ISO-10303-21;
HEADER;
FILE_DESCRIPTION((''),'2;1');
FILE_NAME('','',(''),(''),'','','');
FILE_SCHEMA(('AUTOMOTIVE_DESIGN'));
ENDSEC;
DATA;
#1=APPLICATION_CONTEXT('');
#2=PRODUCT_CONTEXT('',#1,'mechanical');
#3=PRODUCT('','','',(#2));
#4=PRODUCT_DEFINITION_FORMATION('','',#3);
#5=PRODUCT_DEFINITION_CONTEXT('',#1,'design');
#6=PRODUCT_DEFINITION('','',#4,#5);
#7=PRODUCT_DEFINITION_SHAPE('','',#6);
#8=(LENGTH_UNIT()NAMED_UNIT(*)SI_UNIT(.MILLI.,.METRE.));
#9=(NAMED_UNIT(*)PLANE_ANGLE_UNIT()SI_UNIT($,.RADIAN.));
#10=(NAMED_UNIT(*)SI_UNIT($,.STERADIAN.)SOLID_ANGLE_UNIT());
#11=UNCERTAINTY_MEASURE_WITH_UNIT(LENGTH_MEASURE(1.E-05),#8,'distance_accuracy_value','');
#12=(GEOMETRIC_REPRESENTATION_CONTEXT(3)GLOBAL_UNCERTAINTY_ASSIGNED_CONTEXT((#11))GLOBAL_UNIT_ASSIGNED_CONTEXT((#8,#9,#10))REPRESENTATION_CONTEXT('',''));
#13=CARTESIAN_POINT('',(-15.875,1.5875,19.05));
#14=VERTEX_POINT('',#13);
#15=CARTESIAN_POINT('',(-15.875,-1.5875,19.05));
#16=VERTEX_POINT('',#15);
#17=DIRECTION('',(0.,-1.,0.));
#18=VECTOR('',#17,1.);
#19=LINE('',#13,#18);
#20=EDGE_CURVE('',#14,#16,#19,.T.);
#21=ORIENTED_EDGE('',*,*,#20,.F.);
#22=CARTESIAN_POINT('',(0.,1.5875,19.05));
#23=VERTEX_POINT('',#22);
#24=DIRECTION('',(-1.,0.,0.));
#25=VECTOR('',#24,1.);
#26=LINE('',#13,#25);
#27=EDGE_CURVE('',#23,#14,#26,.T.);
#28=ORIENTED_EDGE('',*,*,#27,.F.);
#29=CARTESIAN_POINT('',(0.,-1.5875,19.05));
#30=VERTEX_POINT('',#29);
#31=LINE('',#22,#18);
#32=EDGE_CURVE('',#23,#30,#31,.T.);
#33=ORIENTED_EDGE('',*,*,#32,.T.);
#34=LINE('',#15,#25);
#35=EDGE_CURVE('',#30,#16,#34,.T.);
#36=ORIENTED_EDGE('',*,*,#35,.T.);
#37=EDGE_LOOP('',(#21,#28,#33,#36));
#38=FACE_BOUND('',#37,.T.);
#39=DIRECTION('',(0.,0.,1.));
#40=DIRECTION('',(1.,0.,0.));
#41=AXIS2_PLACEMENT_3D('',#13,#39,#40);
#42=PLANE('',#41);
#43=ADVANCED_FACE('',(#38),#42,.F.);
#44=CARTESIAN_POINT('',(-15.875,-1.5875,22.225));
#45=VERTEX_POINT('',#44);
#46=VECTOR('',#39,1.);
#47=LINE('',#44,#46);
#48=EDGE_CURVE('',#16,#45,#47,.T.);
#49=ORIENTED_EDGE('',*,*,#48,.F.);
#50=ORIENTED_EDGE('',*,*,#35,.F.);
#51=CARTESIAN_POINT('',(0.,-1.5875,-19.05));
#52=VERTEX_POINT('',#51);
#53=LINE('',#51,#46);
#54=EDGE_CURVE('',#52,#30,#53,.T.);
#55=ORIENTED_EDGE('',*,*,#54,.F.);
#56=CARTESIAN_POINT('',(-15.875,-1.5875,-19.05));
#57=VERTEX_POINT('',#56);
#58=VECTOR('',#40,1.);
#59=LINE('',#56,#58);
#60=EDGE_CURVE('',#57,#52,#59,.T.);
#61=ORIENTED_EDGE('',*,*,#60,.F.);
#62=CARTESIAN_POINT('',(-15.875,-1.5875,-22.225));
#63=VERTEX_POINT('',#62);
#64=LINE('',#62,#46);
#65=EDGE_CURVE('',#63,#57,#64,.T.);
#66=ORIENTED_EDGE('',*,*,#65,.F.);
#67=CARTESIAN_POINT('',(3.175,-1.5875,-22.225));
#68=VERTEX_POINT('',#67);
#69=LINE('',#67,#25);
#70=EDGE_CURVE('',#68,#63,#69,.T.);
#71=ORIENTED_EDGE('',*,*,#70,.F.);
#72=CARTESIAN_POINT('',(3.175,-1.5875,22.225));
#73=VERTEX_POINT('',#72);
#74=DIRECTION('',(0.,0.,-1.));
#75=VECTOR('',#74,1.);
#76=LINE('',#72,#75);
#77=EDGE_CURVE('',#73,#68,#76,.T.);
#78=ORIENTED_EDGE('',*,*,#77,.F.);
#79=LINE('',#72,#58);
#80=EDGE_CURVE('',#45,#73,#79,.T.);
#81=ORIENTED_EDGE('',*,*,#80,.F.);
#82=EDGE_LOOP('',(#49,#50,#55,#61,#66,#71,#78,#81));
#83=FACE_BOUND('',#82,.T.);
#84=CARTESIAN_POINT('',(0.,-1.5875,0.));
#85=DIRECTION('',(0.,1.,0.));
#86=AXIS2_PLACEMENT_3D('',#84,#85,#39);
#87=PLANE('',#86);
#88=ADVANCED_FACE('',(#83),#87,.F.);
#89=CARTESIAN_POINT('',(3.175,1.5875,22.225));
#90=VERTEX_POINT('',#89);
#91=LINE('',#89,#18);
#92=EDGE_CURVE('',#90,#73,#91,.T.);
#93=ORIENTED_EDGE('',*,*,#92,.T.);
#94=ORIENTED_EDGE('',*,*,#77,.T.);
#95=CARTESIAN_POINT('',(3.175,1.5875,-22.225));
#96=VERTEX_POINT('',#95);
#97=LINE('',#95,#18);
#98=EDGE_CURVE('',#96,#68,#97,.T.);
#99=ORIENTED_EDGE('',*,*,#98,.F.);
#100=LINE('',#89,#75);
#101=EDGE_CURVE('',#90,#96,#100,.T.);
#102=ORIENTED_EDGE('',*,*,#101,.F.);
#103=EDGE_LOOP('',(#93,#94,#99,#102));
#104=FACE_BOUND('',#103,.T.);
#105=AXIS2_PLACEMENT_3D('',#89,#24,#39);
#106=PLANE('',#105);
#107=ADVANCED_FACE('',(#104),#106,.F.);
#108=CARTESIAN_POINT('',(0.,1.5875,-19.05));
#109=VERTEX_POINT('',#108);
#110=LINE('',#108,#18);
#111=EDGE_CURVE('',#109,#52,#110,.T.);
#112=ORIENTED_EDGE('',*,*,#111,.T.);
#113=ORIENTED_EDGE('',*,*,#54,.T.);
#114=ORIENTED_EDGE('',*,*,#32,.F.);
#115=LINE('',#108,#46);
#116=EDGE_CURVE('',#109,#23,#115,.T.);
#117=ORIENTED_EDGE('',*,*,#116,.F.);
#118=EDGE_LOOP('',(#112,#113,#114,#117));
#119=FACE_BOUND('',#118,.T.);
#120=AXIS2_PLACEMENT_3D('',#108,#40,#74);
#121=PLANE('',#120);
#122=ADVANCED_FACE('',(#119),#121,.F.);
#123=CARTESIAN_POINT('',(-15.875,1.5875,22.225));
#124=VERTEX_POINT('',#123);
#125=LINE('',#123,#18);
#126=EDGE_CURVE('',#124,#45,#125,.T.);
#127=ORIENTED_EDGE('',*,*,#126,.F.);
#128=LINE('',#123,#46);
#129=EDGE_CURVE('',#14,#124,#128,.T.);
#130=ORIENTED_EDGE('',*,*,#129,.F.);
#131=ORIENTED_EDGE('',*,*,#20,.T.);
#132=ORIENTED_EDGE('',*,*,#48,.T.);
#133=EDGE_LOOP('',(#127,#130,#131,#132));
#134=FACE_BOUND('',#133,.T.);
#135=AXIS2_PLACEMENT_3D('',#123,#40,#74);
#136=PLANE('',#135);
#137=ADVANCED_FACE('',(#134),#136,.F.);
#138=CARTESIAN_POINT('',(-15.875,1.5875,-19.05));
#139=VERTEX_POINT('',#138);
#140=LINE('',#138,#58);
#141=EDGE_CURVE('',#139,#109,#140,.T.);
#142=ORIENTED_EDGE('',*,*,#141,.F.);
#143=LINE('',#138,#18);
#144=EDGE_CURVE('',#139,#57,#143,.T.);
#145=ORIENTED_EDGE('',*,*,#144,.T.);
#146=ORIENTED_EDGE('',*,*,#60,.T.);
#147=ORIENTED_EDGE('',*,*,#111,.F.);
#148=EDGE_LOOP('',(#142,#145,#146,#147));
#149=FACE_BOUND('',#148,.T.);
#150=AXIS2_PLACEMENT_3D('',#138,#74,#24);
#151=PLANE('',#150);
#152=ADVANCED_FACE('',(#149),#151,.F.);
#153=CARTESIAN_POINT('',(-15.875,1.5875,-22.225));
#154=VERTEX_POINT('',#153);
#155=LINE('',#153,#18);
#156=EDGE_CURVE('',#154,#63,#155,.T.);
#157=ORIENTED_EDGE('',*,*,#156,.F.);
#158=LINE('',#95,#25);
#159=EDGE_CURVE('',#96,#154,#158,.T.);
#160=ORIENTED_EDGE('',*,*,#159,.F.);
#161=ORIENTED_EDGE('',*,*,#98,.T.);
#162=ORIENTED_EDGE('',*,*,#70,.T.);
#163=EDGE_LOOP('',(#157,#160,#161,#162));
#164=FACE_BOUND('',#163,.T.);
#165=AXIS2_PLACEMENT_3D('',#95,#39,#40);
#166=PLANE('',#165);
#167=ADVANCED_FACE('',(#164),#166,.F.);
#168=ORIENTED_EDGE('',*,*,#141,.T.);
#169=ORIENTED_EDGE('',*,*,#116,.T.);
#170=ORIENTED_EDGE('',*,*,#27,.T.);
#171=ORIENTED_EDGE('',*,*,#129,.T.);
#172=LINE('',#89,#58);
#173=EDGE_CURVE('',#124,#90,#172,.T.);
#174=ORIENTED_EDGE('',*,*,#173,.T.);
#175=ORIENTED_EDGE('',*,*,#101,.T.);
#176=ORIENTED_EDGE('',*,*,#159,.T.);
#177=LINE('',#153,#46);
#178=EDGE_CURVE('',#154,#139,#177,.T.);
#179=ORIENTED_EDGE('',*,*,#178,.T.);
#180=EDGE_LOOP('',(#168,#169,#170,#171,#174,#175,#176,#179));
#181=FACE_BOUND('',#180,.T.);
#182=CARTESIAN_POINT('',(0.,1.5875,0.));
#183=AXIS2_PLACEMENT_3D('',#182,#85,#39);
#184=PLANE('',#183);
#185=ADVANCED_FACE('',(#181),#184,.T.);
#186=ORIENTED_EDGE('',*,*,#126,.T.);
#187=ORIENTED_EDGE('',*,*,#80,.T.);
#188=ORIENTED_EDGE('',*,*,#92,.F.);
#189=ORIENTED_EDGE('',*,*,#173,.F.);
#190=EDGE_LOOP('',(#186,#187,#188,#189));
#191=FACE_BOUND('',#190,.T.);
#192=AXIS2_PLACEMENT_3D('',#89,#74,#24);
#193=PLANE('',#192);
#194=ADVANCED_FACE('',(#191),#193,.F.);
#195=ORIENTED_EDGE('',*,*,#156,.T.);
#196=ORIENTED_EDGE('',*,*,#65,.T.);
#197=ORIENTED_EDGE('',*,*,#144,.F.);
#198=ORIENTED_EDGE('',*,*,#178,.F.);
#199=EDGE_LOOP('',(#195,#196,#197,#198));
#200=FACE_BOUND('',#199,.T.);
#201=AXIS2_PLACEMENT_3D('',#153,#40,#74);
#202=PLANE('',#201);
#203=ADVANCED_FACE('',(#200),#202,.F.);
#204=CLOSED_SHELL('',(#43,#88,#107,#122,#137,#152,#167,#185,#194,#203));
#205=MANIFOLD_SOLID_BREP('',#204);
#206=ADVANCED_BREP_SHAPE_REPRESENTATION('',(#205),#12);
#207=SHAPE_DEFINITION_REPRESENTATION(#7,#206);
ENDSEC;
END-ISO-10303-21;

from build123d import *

# Parameters (mm, degrees)
BOSS_EXTRUDE1_DEPTH = 1.5875


with BuildPart() as part:
    # Sketch1 → Boss-Extrude1 (new, symmetric)
    with BuildSketch(Plane(origin=(0, 0, 0), x_dir=(1, 0, 0), z_dir=(0, 1, 0))):
        Polygon((3.175, -22.225), (3.175, 22.225), (-15.875, 22.225), (-15.875, 19.05), (0, 19.05), (0, -19.05), (-15.875, -19.05), (-15.875, -22.225), align=None)
    extrude(amount=BOSS_EXTRUDE1_DEPTH, both=True)


solid = part.part
